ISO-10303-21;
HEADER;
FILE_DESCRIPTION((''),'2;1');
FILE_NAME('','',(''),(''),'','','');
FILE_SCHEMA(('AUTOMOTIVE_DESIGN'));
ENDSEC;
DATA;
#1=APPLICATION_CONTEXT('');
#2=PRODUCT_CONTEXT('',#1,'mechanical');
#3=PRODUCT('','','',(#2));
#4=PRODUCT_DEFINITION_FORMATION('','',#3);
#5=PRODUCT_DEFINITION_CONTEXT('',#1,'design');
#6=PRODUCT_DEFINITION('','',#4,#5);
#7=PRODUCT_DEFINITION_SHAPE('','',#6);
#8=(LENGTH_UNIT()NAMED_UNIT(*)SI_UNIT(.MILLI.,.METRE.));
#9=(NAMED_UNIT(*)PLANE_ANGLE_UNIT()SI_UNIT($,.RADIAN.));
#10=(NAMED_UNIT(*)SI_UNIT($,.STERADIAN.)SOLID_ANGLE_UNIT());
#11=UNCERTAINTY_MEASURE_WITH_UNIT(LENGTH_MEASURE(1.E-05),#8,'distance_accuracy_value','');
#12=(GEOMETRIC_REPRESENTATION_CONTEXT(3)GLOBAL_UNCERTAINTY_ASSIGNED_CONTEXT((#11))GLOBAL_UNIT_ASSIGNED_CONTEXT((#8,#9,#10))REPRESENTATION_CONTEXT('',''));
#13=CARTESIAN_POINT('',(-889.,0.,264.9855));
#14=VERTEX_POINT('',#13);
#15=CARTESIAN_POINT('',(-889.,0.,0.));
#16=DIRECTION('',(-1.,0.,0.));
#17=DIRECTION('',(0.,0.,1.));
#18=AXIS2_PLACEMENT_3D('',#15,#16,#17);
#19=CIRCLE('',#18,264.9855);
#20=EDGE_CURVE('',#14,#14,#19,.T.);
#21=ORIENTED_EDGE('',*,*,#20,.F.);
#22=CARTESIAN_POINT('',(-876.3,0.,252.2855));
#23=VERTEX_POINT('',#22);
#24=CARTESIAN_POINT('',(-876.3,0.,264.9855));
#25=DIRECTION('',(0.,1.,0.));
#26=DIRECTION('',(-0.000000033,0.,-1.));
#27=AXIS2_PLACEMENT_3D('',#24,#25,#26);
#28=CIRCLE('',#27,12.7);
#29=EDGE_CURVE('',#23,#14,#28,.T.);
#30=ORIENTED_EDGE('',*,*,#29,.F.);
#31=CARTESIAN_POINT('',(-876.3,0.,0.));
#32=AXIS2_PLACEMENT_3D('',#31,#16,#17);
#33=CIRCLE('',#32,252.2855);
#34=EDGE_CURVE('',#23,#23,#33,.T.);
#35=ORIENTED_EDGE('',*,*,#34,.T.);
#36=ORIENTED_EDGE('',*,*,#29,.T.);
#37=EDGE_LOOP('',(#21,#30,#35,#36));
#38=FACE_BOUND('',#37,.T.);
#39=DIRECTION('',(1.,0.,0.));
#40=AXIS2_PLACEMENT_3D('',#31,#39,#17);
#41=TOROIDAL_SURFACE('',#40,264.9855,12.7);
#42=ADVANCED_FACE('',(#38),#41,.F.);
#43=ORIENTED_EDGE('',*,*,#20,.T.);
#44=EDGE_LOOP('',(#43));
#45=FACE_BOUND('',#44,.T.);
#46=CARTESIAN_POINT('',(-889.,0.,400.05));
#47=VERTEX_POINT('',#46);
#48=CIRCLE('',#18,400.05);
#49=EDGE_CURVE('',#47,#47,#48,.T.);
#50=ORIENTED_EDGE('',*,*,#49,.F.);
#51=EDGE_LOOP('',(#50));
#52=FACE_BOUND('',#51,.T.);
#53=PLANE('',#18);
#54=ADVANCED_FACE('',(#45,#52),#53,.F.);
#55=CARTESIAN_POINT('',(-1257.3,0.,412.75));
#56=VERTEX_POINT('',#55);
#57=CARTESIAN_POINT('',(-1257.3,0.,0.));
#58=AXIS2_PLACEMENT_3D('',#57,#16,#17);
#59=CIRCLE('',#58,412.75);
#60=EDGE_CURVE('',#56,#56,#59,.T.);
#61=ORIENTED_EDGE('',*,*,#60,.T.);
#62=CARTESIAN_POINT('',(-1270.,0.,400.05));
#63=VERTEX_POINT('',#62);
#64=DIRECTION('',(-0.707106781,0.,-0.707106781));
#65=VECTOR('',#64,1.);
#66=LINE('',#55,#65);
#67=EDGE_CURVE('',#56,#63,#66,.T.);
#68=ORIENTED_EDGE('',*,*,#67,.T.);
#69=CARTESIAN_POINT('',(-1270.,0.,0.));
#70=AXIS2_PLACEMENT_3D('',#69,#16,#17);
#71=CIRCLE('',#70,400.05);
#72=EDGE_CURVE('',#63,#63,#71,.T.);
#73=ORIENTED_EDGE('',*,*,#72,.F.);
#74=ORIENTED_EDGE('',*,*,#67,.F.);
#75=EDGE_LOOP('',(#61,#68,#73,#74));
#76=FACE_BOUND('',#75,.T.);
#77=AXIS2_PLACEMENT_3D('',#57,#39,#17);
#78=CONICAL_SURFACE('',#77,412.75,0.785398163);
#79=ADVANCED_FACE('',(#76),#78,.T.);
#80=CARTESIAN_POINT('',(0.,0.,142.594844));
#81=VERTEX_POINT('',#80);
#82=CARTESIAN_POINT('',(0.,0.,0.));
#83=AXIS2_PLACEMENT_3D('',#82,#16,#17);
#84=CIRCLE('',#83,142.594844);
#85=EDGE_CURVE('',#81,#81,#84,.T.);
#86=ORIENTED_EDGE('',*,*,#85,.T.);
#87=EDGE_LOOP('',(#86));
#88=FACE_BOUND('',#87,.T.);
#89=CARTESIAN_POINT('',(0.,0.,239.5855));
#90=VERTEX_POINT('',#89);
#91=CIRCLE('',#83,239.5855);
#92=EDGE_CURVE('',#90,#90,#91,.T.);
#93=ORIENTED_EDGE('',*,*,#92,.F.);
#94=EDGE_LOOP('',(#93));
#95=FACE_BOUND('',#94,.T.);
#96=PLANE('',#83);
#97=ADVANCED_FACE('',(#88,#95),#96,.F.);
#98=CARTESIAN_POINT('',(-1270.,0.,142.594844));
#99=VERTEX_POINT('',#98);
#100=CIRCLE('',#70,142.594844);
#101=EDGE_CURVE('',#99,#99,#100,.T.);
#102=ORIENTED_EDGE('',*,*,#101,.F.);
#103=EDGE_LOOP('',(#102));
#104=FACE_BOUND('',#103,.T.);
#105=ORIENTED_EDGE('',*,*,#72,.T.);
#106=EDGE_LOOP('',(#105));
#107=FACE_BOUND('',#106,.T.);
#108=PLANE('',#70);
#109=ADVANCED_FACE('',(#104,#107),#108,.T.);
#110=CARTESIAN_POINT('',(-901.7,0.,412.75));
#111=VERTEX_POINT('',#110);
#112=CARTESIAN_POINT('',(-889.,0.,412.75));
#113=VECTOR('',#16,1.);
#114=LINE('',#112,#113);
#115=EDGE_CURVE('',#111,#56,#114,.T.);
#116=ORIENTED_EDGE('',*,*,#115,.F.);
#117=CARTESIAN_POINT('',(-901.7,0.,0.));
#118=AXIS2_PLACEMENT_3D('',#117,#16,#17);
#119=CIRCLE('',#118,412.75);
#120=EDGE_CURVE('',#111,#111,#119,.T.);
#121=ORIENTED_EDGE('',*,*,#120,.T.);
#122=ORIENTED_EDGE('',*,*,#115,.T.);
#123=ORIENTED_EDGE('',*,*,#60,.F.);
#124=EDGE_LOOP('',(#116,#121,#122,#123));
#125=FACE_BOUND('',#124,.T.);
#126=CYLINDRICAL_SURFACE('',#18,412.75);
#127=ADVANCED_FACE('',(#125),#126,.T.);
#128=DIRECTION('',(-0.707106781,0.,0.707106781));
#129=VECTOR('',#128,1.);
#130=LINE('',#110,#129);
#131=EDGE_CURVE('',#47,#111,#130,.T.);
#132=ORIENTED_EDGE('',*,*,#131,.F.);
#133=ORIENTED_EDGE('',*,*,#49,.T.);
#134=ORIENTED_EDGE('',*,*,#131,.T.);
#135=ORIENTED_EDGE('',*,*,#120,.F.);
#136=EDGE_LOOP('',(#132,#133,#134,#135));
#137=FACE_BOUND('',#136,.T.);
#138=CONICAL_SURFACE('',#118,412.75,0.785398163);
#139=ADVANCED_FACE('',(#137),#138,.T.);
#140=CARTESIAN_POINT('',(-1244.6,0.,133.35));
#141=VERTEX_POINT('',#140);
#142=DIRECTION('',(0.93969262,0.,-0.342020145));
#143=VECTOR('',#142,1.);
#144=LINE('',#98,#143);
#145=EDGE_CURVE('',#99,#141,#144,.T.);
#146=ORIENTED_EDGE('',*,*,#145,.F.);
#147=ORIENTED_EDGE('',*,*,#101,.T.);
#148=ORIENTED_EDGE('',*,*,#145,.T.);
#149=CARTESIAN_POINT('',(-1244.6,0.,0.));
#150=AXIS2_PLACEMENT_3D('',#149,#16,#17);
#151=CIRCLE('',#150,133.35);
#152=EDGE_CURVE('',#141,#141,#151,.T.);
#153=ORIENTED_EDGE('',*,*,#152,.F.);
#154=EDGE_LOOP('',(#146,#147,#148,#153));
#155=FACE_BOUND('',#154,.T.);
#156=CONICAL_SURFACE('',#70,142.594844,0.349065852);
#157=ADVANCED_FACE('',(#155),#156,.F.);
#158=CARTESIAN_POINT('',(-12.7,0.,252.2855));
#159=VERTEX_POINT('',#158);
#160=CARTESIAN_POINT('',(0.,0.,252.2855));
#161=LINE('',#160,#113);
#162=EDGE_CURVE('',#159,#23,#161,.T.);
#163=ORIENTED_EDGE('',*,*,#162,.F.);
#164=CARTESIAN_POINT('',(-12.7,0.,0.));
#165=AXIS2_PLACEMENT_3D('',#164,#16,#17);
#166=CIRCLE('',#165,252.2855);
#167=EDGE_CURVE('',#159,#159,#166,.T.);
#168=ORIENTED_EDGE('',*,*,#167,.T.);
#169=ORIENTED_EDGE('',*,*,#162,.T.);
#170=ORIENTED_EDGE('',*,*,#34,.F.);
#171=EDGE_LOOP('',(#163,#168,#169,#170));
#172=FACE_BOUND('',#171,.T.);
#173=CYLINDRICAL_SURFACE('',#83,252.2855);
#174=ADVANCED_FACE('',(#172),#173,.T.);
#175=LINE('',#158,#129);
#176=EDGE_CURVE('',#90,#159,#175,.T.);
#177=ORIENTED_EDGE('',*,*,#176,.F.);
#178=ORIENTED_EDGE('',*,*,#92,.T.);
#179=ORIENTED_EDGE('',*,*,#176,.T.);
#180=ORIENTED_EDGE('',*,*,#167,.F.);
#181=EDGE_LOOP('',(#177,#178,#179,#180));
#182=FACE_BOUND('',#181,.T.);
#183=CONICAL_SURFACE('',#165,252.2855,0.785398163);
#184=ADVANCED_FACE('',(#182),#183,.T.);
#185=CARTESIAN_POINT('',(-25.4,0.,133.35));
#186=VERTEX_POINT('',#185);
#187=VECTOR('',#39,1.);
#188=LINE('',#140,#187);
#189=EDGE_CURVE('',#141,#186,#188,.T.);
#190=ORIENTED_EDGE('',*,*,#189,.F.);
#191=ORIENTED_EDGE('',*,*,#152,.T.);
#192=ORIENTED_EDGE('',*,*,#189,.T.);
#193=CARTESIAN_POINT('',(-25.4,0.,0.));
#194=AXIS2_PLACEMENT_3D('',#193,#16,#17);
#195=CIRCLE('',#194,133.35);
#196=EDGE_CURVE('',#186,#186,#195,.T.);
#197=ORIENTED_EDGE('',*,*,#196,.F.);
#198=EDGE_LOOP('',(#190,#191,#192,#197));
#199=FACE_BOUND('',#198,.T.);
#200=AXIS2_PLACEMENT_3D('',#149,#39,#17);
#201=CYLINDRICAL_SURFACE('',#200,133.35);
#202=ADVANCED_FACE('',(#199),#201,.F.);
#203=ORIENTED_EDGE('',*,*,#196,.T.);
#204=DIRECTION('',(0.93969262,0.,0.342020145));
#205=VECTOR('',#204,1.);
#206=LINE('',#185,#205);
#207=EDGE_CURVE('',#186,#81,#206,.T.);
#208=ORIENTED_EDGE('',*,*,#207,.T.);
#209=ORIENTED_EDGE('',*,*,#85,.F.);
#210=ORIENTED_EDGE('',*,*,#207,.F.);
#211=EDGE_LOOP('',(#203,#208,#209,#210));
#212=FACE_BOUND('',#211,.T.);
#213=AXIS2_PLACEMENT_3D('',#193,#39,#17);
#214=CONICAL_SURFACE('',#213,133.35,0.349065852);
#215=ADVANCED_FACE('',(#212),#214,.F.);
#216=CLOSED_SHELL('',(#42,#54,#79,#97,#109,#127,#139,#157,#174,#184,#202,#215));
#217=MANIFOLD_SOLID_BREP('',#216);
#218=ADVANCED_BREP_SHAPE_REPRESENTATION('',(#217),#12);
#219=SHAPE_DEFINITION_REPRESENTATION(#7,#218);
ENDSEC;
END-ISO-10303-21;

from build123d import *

# Parameters (mm, degrees)
F2_SIZE = 12.7


with BuildPart() as f1:
    # F0 (on Front) → F1 (revolve)
    with BuildSketch(Plane.XZ):
        with BuildLine():
            Line((-25.4, 133.35), (0, 142.594844))
            Line((0, 142.594844), (0, 252.2855))
            Line((0, 252.2855), (-876.3, 252.2855))
            ThreePointArc((-876.3, 252.2855), (-885.280256, 256.005244), (-889, 264.9855))
            Line((-889, 264.9855), (-889, 412.75))
            Line((-889, 412.75), (-1270, 412.75))
            Line((-1270, 412.75), (-1270, 142.594844))
            Line((-1270, 142.594844), (-1244.6, 133.35))
            Line((-1244.6, 133.35), (-25.4, 133.35))
        make_face()
    revolve(axis=Axis((-190.5, 0, 0), (-1, 0, 0)))

    # F2
    f2_edges = [f1.edges().sort_by_distance(p)[0] for p in [
        (0, 0, -252.2855),
        (-889, 0, -412.75),
        (-1270, 0, -412.75),
    ]]
    chamfer(f2_edges, length=F2_SIZE)


solid = f1.part
